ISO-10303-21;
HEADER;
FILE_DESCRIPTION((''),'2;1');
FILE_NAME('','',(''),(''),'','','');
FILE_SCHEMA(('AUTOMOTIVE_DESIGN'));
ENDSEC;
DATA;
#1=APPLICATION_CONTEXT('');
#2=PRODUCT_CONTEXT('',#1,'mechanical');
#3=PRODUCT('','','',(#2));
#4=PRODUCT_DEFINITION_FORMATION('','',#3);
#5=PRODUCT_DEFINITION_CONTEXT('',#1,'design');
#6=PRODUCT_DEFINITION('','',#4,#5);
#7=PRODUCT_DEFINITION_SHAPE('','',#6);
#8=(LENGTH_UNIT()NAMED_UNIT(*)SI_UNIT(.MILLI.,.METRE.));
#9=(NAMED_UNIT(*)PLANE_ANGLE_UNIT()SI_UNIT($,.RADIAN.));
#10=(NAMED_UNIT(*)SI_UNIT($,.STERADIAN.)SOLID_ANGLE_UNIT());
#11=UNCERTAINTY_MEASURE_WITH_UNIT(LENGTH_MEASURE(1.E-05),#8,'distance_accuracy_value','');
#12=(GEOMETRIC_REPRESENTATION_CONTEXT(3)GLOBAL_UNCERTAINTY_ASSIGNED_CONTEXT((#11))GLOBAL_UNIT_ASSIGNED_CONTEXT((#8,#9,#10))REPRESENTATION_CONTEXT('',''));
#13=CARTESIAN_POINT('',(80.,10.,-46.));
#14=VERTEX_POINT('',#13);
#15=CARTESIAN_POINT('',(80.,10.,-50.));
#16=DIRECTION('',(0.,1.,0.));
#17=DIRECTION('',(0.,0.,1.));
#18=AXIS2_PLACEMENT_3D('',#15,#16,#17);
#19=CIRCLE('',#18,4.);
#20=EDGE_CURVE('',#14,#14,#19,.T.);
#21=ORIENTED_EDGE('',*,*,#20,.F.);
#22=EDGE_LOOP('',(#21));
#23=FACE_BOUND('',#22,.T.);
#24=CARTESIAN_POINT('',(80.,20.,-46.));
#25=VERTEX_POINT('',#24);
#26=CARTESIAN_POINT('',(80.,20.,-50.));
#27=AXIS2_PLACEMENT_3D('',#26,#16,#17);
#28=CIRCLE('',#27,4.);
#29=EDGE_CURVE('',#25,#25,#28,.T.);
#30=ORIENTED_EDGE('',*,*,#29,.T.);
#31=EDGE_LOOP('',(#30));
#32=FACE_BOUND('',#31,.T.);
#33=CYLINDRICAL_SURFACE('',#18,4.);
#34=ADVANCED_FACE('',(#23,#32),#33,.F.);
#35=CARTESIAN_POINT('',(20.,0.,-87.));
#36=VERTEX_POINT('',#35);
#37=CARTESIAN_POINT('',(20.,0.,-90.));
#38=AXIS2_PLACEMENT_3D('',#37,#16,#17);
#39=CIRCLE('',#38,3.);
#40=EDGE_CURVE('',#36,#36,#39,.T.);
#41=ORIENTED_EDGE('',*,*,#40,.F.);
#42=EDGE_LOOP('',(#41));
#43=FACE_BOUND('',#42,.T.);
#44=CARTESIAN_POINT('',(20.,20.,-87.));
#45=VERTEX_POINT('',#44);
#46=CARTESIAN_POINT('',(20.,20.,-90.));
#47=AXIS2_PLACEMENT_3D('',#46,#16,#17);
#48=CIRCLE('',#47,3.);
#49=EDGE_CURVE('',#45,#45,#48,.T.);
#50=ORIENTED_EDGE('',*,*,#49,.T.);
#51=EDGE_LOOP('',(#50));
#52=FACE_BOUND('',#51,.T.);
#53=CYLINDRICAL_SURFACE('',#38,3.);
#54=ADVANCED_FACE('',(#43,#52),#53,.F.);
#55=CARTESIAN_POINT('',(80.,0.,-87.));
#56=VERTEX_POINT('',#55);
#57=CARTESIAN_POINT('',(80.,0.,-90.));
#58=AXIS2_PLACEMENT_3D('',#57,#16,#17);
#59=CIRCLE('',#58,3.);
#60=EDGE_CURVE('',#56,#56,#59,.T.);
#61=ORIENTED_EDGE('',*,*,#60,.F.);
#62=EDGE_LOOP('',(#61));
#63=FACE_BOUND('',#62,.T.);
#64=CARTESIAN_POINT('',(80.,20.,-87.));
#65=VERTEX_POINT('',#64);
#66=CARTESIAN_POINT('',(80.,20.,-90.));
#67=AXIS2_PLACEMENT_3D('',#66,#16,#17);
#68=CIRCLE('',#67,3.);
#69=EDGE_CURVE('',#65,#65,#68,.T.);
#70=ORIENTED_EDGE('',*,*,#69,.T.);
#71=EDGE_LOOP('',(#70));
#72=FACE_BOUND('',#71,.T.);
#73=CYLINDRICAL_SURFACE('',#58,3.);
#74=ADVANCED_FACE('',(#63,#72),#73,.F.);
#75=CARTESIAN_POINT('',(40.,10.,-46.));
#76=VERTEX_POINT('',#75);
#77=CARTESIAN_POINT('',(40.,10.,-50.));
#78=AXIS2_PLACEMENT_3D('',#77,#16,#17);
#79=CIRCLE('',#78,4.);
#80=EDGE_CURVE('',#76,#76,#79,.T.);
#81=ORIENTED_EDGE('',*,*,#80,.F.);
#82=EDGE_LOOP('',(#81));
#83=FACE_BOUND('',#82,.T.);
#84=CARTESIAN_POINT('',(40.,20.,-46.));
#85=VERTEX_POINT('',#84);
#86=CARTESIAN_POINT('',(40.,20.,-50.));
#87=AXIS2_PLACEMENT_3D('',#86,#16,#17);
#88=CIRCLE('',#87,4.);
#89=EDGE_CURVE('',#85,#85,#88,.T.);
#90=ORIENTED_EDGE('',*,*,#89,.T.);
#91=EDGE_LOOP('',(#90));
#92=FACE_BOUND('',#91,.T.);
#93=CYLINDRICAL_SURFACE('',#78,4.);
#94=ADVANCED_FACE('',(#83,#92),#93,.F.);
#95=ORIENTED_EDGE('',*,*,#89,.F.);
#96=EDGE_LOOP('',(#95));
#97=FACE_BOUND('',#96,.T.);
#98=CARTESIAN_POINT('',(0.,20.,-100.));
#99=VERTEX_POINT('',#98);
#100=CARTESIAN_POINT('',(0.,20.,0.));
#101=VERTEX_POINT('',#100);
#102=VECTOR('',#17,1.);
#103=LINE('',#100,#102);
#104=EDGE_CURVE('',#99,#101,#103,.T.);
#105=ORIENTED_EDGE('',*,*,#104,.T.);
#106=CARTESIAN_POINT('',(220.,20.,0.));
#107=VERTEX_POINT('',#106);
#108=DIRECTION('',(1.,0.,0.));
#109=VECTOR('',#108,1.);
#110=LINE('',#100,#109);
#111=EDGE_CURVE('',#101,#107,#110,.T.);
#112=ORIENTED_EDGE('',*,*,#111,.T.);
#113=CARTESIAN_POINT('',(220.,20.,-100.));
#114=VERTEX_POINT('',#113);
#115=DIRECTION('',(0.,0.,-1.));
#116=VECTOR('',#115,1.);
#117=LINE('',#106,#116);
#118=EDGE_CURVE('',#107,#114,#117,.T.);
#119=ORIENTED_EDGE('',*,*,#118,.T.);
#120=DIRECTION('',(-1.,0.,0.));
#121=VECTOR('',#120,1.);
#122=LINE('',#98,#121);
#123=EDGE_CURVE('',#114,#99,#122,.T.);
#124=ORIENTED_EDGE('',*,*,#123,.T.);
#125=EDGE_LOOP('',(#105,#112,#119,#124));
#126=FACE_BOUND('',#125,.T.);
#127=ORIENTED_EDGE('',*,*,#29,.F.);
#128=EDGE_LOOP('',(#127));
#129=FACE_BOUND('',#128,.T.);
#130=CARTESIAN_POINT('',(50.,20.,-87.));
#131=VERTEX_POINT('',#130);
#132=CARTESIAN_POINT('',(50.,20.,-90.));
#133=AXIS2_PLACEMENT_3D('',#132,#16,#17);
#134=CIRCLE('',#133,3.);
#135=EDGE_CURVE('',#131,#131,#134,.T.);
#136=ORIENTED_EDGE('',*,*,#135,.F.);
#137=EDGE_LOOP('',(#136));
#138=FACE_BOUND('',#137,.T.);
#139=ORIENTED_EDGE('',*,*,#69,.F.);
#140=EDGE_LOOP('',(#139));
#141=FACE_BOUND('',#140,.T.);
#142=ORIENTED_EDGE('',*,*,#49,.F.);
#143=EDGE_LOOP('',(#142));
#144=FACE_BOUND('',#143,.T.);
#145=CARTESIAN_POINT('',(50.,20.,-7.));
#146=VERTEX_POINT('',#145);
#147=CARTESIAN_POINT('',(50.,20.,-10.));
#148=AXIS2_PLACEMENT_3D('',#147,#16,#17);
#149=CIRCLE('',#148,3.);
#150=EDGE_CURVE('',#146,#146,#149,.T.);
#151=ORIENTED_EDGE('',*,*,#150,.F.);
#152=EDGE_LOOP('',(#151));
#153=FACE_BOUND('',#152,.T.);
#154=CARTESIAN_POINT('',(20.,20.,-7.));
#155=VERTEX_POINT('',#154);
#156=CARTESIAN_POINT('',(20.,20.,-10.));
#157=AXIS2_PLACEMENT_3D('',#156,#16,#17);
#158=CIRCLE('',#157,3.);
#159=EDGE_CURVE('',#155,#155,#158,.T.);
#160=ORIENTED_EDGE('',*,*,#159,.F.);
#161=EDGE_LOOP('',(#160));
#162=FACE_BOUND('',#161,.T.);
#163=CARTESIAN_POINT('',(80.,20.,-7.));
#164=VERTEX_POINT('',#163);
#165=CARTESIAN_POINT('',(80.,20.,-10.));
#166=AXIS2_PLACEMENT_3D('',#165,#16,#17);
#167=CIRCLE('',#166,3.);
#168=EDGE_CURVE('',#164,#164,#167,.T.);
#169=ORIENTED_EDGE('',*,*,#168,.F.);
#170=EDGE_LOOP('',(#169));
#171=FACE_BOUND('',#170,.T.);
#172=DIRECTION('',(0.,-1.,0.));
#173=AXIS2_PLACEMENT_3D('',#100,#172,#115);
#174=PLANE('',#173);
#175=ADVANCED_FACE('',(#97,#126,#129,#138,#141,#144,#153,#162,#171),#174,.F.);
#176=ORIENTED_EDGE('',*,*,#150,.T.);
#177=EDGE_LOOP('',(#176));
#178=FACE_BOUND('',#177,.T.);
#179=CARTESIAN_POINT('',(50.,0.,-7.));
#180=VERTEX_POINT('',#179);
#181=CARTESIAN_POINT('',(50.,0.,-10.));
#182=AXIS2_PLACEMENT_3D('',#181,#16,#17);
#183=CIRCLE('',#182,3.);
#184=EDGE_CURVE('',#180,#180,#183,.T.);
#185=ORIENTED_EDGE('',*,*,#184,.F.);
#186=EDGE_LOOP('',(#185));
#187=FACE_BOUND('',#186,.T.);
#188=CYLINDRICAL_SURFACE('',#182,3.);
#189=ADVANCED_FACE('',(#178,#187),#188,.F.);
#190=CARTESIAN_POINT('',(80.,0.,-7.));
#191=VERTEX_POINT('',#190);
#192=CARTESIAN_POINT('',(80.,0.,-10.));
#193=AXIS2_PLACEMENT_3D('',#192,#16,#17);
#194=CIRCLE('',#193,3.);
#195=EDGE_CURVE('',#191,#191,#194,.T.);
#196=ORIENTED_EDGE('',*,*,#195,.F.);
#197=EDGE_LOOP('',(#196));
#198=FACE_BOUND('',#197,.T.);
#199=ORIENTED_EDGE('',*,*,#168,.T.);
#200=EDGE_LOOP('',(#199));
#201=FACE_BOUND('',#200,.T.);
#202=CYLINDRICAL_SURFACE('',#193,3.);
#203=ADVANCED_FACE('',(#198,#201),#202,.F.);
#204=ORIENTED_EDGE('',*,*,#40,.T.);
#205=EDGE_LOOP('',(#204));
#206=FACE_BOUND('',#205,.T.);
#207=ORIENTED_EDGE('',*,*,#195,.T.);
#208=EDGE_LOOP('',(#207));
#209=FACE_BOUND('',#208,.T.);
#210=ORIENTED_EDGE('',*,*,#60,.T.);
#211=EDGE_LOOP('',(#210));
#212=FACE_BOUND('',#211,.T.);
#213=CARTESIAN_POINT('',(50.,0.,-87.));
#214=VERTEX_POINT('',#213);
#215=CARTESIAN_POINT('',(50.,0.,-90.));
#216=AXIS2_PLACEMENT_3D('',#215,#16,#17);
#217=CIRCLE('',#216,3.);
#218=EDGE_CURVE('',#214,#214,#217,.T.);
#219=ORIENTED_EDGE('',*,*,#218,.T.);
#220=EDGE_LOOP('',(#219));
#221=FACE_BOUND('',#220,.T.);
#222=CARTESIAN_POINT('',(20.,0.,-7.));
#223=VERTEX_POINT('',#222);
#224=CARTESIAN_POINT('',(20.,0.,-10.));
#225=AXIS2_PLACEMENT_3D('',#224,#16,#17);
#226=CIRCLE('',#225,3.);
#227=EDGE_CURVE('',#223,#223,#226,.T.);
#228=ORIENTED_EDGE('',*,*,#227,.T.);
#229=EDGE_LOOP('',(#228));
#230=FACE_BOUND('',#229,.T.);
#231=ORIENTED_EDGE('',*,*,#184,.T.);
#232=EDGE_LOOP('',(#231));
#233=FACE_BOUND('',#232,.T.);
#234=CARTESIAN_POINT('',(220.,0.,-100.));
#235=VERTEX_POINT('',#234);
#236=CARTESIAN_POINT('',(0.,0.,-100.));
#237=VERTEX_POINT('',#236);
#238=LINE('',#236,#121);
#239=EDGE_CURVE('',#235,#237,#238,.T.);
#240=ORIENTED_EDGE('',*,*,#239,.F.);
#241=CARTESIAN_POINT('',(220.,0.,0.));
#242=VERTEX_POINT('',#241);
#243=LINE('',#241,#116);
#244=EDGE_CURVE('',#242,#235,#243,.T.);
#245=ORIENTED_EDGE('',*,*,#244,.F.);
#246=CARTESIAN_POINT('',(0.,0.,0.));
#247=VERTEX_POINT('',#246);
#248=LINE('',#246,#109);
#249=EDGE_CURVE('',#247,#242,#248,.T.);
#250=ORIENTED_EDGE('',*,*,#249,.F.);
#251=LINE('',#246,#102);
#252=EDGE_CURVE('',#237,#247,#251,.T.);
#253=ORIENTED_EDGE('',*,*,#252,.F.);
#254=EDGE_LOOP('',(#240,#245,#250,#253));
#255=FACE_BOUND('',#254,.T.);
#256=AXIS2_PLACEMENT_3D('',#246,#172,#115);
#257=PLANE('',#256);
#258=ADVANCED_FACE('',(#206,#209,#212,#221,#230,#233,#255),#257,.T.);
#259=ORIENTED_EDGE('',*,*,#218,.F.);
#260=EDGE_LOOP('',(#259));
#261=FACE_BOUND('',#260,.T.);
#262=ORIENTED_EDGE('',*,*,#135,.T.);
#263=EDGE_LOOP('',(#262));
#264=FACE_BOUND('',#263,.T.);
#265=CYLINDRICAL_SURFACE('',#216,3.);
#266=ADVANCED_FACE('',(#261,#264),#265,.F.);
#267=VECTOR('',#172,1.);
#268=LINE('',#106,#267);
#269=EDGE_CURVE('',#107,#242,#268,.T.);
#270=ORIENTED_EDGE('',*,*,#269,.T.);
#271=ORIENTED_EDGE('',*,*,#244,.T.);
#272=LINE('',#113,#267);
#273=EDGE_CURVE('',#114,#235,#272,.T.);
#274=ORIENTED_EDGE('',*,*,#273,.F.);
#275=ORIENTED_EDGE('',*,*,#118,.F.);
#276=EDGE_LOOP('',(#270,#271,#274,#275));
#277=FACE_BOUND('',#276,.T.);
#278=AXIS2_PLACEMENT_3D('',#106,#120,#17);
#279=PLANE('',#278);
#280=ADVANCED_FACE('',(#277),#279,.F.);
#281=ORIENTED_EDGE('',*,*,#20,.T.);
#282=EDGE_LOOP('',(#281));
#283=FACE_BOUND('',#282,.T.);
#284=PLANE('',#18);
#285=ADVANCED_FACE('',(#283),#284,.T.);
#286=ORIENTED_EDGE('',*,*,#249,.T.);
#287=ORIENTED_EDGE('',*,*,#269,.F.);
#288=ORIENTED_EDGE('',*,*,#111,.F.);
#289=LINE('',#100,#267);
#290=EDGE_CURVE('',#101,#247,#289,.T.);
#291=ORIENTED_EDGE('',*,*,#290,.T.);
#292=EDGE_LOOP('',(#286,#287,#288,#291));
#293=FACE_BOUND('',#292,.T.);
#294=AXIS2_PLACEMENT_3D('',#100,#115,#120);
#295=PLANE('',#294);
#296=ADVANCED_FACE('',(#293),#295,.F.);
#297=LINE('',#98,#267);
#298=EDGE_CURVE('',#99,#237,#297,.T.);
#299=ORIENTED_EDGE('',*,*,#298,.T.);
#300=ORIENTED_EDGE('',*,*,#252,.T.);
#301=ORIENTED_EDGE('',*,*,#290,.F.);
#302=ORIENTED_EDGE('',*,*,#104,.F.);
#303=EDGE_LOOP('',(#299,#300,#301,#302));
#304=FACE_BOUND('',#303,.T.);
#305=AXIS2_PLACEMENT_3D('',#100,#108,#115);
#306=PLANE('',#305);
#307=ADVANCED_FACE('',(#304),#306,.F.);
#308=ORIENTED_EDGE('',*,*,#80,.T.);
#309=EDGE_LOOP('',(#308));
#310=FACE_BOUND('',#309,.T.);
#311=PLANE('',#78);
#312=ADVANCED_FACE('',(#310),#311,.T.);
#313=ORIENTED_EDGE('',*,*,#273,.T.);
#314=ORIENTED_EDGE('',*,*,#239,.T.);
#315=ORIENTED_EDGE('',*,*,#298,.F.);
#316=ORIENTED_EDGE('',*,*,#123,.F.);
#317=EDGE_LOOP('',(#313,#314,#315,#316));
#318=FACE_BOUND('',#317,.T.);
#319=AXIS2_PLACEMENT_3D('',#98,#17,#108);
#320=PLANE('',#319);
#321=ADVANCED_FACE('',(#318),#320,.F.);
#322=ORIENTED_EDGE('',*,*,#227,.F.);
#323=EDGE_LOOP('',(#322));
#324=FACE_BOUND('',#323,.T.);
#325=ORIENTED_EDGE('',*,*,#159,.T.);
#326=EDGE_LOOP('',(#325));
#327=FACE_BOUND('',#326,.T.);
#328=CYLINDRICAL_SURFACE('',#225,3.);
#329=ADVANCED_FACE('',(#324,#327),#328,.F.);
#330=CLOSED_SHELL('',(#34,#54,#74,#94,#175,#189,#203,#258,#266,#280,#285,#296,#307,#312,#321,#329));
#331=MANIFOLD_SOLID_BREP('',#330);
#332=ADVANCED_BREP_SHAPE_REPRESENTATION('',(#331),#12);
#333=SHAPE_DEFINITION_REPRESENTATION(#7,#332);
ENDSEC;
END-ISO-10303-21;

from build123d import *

# Parameters (mm, degrees)
SKETCH_1_W          = 220
SKETCH_1_H          = 100
EXTRUDE_1_DEPTH     = 20
SKETCH_2_R          = 4
CUT_EXTRUDE_1_DEPTH = 10
SKETCH_3_R          = 3
CUT_EXTRUDE_2_DEPTH = 20


with BuildPart() as part:
    # Эскиз1 → Бобышка-Вытянуть1 (new body)
    with BuildSketch(Plane(origin=(0, 0, 0), x_dir=(1, 0, 0), z_dir=(0, 1, 0))):
        with Locations((110, 50)):
            Rectangle(SKETCH_1_W, SKETCH_1_H)
    extrude(amount=EXTRUDE_1_DEPTH)

    # Эскиз2 → Вырез-Вытянуть1 (cut)
    with BuildSketch(Plane(origin=(0, 20, 0), x_dir=(1, 0, 0), z_dir=(0, 1, 0))):
        with Locations(Location((80, 50, 0), (0, 0, 270))):
            Circle(SKETCH_2_R)
        with Locations(Location((40, 50, 0), (0, 0, 270))):
            Circle(SKETCH_2_R)
    extrude(amount=-CUT_EXTRUDE_1_DEPTH, mode=Mode.SUBTRACT)

    # Эскиз3 → Вырез-Вытянуть2 (cut)
    with BuildSketch(Plane(origin=(0, 20, 0), x_dir=(1, 0, 0), z_dir=(0, 1, 0))):
        with Locations(Location((20, 90, 0), (0, 0, 270))):
            Circle(SKETCH_3_R)
        with Locations(Location((50, 90, 0), (0, 0, 270))):
            Circle(SKETCH_3_R)
        with Locations(Location((80, 90, 0), (0, 0, 270))):
            Circle(SKETCH_3_R)
        with Locations(Location((20, 10, 0), (0, 0, 270))):
            Circle(SKETCH_3_R)
        with Locations(Location((50, 10, 0), (0, 0, 270))):
            Circle(SKETCH_3_R)
        with Locations(Location((80, 10, 0), (0, 0, 270))):
            Circle(SKETCH_3_R)
    extrude(amount=-CUT_EXTRUDE_2_DEPTH, mode=Mode.SUBTRACT)


solid = part.part
